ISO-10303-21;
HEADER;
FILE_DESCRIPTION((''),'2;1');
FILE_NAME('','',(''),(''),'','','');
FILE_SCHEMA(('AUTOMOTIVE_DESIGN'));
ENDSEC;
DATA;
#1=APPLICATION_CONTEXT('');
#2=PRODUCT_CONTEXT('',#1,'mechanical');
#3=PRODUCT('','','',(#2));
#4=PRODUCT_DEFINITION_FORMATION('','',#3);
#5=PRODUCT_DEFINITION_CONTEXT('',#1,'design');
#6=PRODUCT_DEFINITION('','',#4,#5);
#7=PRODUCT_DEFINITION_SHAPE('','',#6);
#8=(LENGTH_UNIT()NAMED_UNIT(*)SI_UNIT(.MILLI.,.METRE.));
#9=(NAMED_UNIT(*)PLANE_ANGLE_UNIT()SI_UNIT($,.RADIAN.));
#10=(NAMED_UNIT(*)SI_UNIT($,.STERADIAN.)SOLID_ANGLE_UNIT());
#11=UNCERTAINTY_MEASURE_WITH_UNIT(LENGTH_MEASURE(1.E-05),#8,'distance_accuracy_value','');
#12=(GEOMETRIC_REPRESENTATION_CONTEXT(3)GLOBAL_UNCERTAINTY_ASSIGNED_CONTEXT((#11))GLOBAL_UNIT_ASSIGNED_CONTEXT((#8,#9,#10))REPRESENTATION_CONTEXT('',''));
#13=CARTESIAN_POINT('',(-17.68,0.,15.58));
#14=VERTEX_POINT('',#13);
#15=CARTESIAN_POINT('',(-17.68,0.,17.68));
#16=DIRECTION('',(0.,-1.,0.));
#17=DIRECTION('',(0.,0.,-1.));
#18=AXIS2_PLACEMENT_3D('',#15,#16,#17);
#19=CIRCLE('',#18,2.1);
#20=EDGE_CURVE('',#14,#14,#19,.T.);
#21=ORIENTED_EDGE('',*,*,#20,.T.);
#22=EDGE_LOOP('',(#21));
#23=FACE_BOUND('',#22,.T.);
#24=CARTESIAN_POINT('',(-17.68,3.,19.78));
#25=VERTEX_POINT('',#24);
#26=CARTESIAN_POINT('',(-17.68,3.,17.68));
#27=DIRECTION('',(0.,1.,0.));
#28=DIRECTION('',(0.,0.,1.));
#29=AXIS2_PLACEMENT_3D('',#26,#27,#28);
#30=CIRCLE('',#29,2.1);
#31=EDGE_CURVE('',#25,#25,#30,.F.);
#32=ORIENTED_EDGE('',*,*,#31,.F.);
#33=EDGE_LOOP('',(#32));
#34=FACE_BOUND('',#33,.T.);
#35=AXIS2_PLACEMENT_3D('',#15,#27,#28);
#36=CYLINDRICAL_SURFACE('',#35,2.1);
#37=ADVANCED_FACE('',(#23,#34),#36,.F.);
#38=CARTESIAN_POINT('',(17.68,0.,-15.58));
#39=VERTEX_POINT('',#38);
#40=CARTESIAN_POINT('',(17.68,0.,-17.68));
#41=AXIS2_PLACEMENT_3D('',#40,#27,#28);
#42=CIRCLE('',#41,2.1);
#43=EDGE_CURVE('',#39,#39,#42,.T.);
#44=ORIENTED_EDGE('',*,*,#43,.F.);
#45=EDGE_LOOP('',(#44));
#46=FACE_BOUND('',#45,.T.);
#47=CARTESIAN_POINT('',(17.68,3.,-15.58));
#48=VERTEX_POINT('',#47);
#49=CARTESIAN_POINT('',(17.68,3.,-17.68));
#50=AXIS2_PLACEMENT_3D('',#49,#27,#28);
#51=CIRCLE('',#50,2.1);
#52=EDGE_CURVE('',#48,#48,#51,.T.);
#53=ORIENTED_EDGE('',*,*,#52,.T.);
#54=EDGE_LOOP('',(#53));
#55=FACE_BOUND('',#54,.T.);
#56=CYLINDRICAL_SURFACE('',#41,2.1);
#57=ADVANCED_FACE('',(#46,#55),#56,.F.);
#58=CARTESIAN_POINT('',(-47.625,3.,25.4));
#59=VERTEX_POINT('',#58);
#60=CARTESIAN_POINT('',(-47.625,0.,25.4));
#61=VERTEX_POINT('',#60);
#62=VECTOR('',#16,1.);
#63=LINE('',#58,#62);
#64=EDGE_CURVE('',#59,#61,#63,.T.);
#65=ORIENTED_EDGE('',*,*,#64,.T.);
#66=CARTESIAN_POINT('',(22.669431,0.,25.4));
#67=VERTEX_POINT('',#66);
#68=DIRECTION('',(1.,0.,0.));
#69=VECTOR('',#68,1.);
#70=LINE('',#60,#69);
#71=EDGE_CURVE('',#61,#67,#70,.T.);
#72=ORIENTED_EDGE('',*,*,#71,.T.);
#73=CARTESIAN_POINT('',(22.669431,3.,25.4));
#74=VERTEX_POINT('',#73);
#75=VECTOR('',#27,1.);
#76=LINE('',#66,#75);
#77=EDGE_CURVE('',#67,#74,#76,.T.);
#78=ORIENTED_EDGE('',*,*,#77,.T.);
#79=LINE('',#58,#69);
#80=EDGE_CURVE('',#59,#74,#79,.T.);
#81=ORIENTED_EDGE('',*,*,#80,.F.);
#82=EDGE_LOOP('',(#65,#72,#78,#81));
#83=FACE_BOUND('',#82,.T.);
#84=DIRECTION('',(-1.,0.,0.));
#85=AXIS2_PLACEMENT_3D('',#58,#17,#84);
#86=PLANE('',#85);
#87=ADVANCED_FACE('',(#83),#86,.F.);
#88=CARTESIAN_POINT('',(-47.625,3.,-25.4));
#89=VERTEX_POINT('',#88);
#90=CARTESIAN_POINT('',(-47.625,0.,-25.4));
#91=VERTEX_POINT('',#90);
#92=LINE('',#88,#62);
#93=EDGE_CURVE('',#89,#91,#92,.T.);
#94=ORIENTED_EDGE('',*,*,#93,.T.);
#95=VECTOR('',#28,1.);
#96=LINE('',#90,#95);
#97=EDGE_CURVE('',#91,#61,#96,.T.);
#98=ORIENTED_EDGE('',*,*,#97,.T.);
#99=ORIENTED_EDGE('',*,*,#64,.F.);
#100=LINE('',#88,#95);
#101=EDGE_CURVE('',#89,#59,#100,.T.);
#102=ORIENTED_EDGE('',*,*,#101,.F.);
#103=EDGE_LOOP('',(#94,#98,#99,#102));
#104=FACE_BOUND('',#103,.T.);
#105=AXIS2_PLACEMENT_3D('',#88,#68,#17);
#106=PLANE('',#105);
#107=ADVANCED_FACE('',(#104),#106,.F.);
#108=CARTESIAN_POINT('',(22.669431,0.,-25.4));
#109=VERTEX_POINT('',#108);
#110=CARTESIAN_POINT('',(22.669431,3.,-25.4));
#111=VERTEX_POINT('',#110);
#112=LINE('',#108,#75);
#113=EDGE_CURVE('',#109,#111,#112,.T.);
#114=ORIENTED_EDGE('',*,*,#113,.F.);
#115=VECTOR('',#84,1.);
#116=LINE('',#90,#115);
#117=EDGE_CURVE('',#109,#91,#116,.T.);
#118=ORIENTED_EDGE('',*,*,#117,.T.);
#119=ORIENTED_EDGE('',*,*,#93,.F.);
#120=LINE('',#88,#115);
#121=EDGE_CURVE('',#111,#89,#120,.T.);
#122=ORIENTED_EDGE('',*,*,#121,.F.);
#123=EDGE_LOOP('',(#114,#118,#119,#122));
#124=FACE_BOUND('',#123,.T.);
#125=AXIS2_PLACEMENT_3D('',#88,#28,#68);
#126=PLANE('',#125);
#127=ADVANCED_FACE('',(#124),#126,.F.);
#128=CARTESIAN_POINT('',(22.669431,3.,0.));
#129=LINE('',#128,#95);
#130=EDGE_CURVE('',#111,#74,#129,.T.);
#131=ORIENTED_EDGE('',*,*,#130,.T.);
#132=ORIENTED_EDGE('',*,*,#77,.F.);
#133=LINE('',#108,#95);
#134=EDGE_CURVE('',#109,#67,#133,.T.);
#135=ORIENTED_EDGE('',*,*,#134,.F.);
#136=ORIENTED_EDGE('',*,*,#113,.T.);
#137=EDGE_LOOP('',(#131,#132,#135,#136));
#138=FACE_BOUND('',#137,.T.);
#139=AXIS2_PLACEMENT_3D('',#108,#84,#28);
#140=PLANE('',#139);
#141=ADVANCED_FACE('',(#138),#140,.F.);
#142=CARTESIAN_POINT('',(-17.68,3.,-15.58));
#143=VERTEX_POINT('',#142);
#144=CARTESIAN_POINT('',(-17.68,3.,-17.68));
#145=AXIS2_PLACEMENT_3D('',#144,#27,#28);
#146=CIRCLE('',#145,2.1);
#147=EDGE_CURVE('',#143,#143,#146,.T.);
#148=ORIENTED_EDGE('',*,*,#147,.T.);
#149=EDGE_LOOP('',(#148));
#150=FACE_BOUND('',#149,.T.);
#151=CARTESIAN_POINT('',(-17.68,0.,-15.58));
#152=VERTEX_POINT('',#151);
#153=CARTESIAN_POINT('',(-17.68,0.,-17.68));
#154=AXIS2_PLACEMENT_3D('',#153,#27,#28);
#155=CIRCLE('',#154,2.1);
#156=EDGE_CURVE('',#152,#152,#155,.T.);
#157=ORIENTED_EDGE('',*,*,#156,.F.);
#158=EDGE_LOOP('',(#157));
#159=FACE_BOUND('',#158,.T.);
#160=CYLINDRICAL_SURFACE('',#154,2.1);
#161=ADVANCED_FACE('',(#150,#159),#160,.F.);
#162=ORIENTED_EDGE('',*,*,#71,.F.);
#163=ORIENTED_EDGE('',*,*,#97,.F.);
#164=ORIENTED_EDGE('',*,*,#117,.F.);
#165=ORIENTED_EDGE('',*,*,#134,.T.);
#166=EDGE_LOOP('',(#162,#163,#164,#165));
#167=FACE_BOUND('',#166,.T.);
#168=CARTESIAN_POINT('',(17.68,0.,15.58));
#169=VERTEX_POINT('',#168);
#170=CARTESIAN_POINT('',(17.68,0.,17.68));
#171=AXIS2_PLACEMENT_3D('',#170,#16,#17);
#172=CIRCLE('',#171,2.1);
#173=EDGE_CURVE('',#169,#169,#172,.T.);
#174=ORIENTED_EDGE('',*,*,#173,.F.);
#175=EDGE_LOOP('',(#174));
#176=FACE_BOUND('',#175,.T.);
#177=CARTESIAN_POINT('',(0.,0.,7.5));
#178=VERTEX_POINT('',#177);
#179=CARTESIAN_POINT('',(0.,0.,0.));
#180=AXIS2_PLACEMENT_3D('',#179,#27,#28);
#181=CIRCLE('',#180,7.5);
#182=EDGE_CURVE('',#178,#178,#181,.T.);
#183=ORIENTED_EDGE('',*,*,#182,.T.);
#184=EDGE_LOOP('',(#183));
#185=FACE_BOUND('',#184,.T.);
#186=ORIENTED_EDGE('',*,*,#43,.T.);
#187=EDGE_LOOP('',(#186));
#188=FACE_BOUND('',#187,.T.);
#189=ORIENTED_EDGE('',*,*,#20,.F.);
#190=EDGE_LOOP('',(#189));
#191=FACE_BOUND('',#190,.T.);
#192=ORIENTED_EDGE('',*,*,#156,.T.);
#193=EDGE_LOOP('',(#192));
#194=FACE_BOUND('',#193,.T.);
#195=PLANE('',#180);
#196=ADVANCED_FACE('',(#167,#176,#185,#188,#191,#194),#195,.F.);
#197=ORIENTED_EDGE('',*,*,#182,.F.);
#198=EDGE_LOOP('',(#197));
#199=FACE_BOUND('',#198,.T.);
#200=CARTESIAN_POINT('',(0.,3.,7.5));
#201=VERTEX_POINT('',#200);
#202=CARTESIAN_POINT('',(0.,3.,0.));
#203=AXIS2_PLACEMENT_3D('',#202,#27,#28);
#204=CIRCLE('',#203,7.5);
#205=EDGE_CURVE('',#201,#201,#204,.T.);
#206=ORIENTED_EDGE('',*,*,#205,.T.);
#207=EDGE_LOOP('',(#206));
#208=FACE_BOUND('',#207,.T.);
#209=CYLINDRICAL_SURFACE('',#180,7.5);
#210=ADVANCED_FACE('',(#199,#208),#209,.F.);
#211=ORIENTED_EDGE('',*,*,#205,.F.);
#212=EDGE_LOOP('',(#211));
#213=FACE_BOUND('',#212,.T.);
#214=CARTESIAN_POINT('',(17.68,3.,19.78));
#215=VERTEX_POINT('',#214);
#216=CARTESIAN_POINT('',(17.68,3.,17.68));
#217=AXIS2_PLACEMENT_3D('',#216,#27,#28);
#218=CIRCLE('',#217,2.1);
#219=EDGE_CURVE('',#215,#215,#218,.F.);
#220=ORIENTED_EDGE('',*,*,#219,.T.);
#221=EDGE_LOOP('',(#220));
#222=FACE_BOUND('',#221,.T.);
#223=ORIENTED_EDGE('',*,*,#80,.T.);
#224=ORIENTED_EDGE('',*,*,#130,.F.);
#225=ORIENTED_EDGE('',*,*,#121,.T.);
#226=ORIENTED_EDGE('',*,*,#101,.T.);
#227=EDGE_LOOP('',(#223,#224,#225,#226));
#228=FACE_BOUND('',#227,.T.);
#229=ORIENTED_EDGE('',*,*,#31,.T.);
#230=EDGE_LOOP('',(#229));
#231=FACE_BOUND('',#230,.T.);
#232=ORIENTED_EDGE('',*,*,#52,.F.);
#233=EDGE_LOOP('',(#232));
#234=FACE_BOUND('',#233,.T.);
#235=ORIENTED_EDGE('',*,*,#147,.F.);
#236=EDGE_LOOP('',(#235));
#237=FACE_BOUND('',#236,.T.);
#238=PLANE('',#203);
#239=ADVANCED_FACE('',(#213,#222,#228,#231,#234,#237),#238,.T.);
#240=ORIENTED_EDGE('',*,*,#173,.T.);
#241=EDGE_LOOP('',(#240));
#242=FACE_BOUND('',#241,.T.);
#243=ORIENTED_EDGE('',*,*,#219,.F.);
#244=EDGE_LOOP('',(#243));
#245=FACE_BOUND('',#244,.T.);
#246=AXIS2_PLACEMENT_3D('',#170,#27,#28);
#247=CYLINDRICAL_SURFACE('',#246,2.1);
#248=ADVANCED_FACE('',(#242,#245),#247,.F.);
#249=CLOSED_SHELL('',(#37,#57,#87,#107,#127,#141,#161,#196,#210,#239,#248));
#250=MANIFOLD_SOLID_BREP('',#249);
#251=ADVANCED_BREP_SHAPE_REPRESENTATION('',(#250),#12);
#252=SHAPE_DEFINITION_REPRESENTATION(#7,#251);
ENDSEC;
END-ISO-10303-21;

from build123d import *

# Parameters (mm, degrees)
SKETCH1_W               = 95.25
SKETCH1_H               = 50.8
BOSS_EXTRUDE1_DEPTH     = 3
CUT_EXTRUDE1_DEPTH      = 55.058307641
CUT_EXTRUDE1_DEPTH_BACK = 55.058307641
SKETCH2_R               = 2.1
CUT_EXTRUDE3_DEPTH      = 55.058307641
CUT_EXTRUDE3_DEPTH_BACK = 55.058307641
SKETCH4_R               = 7.5
CUT_EXTRUDE4_DEPTH      = 55.058307641
CUT_EXTRUDE4_DEPTH_BACK = 55.058307641
SKETCH5_W               = 24.95556865
SKETCH5_H               = 50.8


with BuildPart() as part:
    # Sketch1 → Boss-Extrude1 (new body)
    with BuildSketch(Plane(origin=(0, 0, 0), x_dir=(1, 0, 0), z_dir=(0, 1, 0))):
        Rectangle(SKETCH1_W, SKETCH1_H)
    extrude(amount=BOSS_EXTRUDE1_DEPTH)

    # Sketch2 → Cut-Extrude1 (cut, two sides: drawn at the far end of the back side and taken through both)
    with BuildSketch(Plane(origin=(0, 3, 0), x_dir=(1, 0, 0), z_dir=(0, 1, 0)).offset(-CUT_EXTRUDE1_DEPTH_BACK)):
        with Locations(Location((-17.68, 17.68, 0), (0, 0, 270))):
            Circle(SKETCH2_R)
        with Locations(Location((17.68, 17.68, 0), (0, 0, 270))):
            Circle(SKETCH2_R)
        with Locations(Location((17.68, -17.68, 0), (0, 0, 270))):
            Circle(SKETCH2_R)
        with Locations(Location((-17.68, -17.68, 0), (0, 0, 270))):
            Circle(SKETCH2_R)
    extrude(amount=CUT_EXTRUDE1_DEPTH + CUT_EXTRUDE1_DEPTH_BACK, mode=Mode.SUBTRACT)

    # Sketch4 → Cut-Extrude3 (cut, two sides: drawn at the far end of the back side and taken through both)
    with BuildSketch(Plane(origin=(0, 3, 0), x_dir=(1, 0, 0), z_dir=(0, 1, 0)).offset(-CUT_EXTRUDE3_DEPTH_BACK)):
        with Locations(Location((0, 0, 0), (0, 0, 270))):
            Circle(SKETCH4_R)
    extrude(amount=CUT_EXTRUDE3_DEPTH + CUT_EXTRUDE3_DEPTH_BACK, mode=Mode.SUBTRACT)

    # Sketch5 → Cut-Extrude4 (cut, two sides: drawn at the far end of the back side and taken through both)
    with BuildSketch(Plane(origin=(0, 3, 0), x_dir=(1, 0, 0), z_dir=(0, 1, 0)).offset(-CUT_EXTRUDE4_DEPTH_BACK)):
        with Locations((35.147215675, 0)):
            Rectangle(SKETCH5_W, SKETCH5_H)
    extrude(amount=CUT_EXTRUDE4_DEPTH + CUT_EXTRUDE4_DEPTH_BACK, mode=Mode.SUBTRACT)


solid = part.part
